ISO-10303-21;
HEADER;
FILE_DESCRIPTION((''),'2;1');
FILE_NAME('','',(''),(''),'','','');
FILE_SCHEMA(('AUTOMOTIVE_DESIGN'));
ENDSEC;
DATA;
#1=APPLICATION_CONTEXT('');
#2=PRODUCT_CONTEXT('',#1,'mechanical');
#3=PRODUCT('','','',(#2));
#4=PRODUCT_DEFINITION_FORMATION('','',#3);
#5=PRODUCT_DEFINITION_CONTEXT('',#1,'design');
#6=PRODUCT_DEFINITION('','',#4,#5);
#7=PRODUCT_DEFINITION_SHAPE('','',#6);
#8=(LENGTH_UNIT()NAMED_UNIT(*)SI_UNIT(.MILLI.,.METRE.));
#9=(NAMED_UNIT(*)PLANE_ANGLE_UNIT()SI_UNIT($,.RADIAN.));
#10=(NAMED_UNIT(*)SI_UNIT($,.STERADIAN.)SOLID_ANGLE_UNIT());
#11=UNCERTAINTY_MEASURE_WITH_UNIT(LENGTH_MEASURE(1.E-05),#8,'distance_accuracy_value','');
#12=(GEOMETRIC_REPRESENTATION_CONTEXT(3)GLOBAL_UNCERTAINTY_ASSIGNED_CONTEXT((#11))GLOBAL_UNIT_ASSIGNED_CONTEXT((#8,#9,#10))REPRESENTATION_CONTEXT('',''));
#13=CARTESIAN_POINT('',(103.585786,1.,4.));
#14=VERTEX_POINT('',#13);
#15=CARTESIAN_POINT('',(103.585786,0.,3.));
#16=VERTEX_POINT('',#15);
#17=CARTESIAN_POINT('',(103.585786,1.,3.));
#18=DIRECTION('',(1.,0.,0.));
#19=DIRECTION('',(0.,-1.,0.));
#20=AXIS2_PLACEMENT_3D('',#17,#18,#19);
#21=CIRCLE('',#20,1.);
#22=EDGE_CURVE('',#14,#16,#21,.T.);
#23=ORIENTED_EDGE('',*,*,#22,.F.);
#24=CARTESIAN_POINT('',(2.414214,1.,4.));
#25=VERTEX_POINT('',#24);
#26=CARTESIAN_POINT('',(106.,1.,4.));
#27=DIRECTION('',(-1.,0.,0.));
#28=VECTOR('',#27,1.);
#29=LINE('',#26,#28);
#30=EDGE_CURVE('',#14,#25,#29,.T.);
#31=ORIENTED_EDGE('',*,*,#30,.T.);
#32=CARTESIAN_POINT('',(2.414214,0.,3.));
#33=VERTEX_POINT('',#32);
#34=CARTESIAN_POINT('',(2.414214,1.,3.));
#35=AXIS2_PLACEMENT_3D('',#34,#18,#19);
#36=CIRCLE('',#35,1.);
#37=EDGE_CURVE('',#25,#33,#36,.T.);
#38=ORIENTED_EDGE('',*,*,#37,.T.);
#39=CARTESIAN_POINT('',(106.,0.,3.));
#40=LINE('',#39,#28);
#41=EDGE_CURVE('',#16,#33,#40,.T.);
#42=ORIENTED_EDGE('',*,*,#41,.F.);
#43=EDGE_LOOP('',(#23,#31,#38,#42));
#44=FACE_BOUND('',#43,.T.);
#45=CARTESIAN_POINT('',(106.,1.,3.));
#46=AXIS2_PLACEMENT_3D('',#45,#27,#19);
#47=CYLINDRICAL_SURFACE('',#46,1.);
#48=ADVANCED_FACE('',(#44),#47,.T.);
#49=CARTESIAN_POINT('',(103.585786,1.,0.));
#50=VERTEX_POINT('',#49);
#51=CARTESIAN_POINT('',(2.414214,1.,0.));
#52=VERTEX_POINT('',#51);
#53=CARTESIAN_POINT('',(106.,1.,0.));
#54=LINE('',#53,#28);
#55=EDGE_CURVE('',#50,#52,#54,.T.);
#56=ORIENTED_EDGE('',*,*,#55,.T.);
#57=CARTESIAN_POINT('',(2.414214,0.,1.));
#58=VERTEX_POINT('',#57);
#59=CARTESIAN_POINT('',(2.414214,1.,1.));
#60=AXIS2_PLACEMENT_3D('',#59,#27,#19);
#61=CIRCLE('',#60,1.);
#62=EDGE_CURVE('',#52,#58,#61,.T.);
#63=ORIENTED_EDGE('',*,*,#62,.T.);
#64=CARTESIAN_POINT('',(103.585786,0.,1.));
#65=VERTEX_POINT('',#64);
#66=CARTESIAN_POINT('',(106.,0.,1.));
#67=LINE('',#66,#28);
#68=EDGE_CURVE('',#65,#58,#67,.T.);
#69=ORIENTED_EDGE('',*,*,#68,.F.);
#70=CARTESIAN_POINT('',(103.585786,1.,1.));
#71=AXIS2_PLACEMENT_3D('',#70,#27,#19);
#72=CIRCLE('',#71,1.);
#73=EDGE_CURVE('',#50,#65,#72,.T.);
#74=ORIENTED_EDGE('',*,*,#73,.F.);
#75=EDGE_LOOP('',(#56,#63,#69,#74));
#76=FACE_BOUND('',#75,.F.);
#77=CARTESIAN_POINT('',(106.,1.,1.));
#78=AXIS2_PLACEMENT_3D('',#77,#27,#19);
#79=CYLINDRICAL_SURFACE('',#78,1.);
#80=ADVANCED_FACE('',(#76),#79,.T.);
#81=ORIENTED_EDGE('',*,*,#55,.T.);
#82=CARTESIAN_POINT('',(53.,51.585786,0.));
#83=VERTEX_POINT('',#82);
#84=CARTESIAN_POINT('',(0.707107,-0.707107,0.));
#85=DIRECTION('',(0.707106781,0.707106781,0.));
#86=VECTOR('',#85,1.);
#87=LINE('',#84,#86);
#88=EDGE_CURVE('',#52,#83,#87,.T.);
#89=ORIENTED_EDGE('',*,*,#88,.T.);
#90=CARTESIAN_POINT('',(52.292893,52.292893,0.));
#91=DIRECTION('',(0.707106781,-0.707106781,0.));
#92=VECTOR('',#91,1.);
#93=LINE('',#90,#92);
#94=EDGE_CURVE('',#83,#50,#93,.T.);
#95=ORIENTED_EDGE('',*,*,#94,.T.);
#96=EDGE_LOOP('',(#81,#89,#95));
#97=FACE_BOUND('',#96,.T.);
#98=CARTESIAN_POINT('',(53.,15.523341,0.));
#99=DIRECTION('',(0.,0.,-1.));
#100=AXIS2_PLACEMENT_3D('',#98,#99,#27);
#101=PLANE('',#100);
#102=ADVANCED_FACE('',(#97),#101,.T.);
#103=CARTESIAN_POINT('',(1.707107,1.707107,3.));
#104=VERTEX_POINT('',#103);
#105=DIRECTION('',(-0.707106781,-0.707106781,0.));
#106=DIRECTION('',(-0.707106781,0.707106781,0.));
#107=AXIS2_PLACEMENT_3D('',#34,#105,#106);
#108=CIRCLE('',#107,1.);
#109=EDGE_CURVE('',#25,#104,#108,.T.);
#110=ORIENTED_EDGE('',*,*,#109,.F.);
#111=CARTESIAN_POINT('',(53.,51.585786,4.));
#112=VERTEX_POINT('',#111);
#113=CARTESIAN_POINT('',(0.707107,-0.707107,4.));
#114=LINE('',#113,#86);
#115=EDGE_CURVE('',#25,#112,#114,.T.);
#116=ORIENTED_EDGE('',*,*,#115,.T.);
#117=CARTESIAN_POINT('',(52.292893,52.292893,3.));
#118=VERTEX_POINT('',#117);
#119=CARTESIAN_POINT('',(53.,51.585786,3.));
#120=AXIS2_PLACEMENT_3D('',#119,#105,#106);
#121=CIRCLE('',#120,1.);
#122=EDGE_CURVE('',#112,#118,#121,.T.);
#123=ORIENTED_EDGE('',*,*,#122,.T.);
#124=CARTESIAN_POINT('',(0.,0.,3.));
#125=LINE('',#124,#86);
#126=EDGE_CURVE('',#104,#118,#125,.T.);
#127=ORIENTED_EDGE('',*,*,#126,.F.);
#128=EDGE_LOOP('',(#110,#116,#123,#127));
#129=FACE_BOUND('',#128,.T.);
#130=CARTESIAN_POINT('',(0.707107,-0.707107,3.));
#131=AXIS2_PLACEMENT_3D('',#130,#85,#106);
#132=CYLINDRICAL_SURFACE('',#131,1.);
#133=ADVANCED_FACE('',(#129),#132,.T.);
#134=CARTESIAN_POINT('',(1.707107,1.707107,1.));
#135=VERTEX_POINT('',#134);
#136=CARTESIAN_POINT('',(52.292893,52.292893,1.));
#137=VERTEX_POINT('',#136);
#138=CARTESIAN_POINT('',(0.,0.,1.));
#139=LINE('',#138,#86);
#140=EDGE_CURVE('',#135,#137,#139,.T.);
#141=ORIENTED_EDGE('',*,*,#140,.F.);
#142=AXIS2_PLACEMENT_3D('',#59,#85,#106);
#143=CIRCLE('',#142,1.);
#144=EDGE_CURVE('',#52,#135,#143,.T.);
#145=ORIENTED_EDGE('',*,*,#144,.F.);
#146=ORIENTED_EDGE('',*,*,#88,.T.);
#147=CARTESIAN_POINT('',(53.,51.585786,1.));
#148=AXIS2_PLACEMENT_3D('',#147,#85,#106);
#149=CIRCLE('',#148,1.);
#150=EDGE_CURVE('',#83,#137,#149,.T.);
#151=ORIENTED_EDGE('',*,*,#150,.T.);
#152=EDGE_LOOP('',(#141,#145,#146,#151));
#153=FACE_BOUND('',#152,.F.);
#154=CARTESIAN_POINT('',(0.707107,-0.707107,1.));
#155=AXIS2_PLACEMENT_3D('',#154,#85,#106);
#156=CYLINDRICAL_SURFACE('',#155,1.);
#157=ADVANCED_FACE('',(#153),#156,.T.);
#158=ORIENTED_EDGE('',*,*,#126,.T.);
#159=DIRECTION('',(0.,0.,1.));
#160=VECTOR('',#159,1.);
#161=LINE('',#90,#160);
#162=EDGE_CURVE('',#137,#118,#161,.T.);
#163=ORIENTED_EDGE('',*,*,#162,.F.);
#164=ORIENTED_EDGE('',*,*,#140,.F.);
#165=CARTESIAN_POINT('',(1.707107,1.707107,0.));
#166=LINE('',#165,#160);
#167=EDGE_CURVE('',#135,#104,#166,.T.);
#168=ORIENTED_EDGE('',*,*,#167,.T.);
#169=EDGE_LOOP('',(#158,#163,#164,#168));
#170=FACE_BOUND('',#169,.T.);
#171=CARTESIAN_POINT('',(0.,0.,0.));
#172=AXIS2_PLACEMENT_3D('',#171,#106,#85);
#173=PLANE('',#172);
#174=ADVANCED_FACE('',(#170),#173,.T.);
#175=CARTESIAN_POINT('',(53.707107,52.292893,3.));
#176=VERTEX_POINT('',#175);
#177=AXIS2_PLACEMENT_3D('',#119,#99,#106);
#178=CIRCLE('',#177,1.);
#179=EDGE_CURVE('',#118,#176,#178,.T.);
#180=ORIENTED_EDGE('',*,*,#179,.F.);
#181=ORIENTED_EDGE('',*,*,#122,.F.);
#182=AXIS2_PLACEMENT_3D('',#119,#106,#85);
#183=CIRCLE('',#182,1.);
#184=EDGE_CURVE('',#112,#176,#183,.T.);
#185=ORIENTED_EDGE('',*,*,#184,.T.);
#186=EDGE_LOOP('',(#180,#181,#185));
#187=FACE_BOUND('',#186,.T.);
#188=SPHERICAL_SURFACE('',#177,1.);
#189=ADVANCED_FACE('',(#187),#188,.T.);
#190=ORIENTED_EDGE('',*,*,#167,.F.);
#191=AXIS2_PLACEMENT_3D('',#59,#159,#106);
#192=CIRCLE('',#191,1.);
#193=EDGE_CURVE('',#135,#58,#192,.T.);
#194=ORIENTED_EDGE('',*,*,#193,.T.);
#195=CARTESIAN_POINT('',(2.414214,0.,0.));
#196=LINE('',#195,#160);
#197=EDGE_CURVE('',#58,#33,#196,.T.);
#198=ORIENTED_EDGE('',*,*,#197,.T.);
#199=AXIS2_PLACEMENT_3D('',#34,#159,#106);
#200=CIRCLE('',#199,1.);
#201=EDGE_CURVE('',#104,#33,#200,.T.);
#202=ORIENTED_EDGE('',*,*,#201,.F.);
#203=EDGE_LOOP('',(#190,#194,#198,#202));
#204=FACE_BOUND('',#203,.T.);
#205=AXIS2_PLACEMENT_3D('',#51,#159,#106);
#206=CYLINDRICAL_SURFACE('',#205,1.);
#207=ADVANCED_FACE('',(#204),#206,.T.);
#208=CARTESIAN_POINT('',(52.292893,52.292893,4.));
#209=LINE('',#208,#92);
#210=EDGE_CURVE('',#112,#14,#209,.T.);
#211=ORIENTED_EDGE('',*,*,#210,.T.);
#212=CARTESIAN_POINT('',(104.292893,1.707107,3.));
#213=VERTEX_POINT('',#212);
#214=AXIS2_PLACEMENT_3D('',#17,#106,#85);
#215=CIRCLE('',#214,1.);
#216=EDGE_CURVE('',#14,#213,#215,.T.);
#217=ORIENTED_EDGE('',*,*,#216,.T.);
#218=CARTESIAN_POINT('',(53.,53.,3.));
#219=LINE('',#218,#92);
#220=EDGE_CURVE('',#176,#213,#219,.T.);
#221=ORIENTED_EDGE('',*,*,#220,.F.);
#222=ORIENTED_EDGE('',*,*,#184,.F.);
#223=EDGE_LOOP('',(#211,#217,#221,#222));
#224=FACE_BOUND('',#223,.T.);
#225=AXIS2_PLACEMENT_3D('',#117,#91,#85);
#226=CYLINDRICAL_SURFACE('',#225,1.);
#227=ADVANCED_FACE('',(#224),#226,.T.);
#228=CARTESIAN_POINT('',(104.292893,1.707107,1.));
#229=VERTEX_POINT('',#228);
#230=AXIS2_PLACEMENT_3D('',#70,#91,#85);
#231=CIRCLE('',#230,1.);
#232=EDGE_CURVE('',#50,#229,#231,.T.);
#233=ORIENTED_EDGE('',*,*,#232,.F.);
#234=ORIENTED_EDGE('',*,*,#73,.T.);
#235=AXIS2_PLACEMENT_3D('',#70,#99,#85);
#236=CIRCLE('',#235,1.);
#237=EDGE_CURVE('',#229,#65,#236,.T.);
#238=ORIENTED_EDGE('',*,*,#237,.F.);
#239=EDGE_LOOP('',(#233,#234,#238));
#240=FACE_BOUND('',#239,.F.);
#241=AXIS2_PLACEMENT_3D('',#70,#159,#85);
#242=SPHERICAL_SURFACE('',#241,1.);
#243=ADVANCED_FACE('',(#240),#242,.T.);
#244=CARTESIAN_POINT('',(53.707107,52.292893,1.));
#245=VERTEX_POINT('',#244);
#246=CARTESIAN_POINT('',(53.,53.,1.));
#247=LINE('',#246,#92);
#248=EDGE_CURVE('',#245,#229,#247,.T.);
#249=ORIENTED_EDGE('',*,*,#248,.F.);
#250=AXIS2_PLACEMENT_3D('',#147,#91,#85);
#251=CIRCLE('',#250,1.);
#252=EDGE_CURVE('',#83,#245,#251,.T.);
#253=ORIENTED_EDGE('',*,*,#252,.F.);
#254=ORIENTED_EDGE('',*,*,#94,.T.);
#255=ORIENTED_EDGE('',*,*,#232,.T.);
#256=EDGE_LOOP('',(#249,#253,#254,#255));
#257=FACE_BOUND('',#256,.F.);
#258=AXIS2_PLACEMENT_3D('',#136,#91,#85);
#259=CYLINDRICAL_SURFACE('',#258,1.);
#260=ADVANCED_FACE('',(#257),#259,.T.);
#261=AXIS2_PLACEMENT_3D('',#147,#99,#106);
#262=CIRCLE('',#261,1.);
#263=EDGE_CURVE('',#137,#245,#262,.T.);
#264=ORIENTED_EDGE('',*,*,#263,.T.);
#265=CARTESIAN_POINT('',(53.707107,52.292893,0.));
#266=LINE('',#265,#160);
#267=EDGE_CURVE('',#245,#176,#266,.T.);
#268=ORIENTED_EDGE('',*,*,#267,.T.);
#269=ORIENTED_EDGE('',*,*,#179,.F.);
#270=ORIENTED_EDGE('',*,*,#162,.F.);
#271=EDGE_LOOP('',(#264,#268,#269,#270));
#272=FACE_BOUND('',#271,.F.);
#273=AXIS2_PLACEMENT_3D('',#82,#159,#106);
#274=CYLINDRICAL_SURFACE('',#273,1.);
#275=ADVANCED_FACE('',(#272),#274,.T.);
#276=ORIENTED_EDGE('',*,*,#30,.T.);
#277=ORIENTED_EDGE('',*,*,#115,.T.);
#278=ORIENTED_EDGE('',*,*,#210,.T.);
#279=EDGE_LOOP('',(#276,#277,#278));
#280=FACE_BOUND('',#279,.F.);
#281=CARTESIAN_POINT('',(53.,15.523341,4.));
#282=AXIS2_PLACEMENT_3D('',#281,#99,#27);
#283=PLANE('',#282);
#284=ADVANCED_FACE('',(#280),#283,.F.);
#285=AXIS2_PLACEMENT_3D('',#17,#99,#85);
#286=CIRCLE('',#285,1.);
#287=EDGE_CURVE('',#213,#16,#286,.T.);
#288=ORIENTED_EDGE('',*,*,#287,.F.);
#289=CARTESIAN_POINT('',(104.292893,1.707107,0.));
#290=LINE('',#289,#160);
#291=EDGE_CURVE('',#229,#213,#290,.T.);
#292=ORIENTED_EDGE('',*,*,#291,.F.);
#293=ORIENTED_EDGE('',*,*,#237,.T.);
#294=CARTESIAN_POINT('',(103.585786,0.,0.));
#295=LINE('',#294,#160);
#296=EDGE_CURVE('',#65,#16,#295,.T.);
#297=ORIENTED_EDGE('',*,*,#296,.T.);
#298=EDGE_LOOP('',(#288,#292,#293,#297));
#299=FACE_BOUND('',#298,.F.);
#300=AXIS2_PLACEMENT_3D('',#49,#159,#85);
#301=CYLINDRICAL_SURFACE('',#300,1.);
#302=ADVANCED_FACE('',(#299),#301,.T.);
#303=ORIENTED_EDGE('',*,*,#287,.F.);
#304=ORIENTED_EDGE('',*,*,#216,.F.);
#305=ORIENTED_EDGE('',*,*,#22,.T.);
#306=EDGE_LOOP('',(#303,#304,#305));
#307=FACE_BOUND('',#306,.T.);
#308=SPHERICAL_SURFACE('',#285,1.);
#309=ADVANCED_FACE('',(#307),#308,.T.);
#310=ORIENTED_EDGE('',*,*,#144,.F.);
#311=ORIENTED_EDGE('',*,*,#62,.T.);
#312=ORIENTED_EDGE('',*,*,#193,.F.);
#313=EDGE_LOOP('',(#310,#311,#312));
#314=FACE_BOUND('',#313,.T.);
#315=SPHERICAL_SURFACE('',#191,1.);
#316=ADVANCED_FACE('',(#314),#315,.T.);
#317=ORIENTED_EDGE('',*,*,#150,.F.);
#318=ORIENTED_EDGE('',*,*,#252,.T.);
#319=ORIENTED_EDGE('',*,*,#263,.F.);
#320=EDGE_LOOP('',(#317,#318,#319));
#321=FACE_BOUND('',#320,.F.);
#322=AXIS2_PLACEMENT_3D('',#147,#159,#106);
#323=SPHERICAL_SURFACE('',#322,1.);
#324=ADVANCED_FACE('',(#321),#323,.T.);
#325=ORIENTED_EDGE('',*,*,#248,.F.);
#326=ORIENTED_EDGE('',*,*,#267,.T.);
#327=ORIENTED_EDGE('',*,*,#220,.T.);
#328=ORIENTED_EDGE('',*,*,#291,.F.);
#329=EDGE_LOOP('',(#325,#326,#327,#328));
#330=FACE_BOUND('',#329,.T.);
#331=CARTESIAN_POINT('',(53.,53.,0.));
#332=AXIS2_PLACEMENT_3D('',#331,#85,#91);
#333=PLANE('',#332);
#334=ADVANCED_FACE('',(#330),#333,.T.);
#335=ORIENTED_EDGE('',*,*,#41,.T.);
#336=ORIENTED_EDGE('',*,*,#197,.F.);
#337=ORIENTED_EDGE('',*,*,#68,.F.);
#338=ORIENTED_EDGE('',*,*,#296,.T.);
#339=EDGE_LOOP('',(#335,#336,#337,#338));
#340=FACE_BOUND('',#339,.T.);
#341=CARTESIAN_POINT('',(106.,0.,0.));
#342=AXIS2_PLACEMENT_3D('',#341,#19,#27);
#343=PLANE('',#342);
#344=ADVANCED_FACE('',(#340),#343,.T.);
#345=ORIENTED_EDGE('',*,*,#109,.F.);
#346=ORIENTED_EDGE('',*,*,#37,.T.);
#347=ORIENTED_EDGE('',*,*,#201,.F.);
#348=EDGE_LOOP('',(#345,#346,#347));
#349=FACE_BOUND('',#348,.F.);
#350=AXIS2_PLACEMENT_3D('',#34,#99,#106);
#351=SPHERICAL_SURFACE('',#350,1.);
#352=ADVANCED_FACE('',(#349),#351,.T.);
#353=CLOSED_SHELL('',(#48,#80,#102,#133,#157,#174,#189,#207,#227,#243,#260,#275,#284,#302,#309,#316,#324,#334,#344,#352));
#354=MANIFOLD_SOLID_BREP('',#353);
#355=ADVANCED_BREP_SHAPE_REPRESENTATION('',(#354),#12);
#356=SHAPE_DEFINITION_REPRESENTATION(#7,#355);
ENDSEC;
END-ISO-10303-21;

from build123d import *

# Parameters (mm, degrees)
PAD_DEPTH = 4
FILLET_R  = 1


with BuildPart() as part:
    # Sketch → Pad (new body)
    with BuildSketch(Plane.XY):
        Polygon((0, 0), (53, 53), (106, 0), align=None)
    extrude(amount=PAD_DEPTH)

    # Fillet
    fillet_edges = [part.edges().sort_by_distance(p)[0] for p in [
        (0, 0, 2),
        (53, 53, 2),
        (26.5, 26.5, 0),
        (26.5, 26.5, 4),
        (106, 0, 2),
        (79.5, 26.5, 0),
        (79.5, 26.5, 4),
        (53, 0, 0),
        (53, 0, 4),
    ]]
    fillet(fillet_edges, radius=FILLET_R)


solid = part.part
